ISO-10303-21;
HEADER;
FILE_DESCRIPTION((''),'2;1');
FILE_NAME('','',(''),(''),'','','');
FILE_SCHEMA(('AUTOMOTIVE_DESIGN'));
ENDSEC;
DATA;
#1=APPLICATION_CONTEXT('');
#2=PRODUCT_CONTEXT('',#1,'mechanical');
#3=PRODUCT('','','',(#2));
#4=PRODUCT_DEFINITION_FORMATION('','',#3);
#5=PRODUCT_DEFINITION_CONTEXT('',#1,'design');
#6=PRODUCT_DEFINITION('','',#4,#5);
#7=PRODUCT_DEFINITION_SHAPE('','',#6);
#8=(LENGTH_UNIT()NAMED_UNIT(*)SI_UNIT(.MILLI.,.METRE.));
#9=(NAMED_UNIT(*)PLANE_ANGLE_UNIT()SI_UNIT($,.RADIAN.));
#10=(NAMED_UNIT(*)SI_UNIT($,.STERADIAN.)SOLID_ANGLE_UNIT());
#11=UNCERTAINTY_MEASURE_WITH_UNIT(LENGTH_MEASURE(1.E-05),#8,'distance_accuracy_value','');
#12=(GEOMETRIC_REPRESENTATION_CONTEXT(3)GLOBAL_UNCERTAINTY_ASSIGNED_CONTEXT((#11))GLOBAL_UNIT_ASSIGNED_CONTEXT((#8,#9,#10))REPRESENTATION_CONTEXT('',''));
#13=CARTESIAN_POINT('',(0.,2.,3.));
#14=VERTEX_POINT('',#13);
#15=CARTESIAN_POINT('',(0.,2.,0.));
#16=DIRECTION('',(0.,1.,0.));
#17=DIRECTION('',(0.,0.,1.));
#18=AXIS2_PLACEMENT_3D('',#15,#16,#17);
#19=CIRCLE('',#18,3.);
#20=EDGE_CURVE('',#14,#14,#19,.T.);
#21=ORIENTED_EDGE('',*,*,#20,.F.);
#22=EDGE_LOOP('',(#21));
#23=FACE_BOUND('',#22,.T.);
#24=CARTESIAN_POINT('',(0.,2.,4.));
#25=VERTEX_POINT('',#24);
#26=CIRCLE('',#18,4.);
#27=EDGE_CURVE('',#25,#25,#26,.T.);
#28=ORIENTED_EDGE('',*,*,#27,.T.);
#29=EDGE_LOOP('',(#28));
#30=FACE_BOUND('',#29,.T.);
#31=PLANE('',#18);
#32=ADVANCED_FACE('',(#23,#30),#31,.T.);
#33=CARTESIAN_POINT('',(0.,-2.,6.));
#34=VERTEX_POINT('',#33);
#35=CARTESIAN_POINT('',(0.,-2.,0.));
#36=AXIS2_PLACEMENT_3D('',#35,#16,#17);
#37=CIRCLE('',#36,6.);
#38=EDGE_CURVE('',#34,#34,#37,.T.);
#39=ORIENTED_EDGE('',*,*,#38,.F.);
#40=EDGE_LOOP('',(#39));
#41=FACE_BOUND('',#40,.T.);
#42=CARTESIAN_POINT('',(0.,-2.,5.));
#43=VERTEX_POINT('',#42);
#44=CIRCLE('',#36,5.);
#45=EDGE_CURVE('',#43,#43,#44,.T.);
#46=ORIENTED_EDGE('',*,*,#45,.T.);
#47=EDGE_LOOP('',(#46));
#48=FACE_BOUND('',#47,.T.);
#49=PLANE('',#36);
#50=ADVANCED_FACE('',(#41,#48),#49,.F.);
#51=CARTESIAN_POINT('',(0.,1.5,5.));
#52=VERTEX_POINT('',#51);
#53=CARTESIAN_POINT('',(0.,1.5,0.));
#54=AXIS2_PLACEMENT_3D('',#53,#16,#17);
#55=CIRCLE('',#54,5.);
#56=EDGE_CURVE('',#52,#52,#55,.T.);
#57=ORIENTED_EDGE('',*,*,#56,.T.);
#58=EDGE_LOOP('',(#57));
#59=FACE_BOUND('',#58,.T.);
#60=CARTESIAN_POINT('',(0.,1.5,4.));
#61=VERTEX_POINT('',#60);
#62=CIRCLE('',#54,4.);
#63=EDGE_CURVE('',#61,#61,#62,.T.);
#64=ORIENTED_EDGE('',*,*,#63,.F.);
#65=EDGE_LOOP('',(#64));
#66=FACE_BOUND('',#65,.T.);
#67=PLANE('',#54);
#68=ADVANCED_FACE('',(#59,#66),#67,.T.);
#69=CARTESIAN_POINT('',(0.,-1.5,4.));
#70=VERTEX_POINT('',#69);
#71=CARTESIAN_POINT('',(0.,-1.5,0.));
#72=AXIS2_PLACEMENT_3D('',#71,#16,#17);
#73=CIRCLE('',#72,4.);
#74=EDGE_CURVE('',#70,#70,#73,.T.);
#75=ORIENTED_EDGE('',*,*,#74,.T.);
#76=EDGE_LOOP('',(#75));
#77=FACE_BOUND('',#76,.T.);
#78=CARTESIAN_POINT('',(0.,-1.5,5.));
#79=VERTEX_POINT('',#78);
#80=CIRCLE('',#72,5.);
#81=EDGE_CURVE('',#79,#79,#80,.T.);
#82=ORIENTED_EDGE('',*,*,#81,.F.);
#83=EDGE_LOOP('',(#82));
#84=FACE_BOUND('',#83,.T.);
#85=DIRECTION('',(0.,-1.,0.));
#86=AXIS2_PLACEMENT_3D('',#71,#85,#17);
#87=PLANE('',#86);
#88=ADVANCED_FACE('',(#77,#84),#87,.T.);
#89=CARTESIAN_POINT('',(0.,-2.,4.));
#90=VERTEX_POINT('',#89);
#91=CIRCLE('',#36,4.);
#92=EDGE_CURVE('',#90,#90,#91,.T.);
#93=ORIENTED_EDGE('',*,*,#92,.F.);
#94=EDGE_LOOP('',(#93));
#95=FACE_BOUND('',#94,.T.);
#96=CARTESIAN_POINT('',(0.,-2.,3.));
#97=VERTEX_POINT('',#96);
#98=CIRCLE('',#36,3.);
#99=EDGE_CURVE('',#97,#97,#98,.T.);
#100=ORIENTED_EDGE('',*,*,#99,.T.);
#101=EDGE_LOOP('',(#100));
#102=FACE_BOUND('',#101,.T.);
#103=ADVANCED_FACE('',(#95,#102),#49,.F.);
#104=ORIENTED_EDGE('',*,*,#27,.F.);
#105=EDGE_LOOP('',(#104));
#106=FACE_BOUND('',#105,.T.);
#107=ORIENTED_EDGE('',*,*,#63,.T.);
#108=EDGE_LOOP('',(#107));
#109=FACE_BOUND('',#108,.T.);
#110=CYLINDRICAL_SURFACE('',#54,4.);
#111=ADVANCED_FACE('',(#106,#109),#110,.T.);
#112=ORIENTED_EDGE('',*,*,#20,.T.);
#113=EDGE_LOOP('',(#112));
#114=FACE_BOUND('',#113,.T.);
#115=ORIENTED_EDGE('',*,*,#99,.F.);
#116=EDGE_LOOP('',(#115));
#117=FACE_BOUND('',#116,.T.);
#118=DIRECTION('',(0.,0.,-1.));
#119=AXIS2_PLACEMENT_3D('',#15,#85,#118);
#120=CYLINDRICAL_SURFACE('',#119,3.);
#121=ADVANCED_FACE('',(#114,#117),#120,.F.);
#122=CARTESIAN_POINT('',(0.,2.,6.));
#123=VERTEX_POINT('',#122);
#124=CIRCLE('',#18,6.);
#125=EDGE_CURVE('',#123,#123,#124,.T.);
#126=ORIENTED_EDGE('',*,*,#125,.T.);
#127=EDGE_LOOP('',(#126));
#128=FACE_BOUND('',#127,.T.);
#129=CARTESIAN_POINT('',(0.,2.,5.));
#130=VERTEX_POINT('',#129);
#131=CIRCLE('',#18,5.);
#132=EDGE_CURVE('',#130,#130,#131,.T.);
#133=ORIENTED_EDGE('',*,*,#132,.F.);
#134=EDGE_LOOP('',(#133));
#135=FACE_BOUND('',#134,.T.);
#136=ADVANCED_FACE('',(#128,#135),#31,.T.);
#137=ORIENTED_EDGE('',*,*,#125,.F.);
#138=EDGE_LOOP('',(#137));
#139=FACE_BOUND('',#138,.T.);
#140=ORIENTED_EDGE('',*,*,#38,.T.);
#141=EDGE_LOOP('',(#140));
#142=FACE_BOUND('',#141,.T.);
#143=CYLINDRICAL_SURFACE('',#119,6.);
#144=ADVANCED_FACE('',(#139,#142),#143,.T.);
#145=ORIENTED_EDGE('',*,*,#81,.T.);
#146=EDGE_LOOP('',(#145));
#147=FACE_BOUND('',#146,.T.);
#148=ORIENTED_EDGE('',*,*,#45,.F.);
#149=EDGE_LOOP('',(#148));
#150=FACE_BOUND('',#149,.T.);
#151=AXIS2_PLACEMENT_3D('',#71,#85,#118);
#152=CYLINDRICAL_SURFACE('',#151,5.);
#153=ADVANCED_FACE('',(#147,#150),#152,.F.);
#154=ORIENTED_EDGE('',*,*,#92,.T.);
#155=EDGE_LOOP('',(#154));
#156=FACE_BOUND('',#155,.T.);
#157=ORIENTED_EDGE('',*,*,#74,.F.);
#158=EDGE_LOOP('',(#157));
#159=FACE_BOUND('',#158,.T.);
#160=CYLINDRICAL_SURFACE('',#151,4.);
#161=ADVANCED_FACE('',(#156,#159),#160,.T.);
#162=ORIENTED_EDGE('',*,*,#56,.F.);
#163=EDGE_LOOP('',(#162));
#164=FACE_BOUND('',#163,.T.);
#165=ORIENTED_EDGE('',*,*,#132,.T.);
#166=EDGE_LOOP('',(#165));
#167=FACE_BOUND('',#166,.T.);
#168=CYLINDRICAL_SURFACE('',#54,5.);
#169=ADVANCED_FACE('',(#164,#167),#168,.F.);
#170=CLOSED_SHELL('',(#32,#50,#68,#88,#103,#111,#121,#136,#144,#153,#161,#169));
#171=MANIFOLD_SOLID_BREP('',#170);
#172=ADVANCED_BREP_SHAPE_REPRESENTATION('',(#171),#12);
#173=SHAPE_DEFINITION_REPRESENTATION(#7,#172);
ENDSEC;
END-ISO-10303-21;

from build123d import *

# Parameters (mm, degrees)
SKETCH_1_R          = 6
SKETCH_1_R_2        = 3
EXTRUDE_1_DEPTH     = 2
SKETCH_2_R          = 5
SKETCH_2_R_2        = 4
CUT_EXTRUDE_1_DEPTH = 0.5


with BuildPart() as part:
    # 草图1 → 凸台-拉伸1 (new, symmetric)
    with BuildSketch(Plane(origin=(0, 0, 0), x_dir=(1, 0, 0), z_dir=(0, 1, 0))):
        with Locations(Location((0, 0, 0), (0, 0, 270))):
            Circle(SKETCH_1_R)
        with Locations(Location((0, 0, 0), (0, 0, 270))):
            Circle(SKETCH_1_R_2, mode=Mode.SUBTRACT)
    extrude(amount=EXTRUDE_1_DEPTH, both=True)

    # 草图2 → 切除-拉伸1 (cut)
    with BuildSketch(Plane(origin=(0, 2, 0), x_dir=(1, 0, 0), z_dir=(0, 1, 0))):
        with Locations(Location((0, 0, 0), (0, 0, 270))):
            Circle(SKETCH_2_R)
        with Locations(Location((0, 0, 0), (0, 0, 270))):
            Circle(SKETCH_2_R_2, mode=Mode.SUBTRACT)
    cut_extrude_1 = extrude(amount=-CUT_EXTRUDE_1_DEPTH, mode=Mode.SUBTRACT)

    # 镜向1: 切除-拉伸1 across plane
    add(cut_extrude_1.mirror(Plane.ZX), mode=Mode.SUBTRACT)


solid = part.part
